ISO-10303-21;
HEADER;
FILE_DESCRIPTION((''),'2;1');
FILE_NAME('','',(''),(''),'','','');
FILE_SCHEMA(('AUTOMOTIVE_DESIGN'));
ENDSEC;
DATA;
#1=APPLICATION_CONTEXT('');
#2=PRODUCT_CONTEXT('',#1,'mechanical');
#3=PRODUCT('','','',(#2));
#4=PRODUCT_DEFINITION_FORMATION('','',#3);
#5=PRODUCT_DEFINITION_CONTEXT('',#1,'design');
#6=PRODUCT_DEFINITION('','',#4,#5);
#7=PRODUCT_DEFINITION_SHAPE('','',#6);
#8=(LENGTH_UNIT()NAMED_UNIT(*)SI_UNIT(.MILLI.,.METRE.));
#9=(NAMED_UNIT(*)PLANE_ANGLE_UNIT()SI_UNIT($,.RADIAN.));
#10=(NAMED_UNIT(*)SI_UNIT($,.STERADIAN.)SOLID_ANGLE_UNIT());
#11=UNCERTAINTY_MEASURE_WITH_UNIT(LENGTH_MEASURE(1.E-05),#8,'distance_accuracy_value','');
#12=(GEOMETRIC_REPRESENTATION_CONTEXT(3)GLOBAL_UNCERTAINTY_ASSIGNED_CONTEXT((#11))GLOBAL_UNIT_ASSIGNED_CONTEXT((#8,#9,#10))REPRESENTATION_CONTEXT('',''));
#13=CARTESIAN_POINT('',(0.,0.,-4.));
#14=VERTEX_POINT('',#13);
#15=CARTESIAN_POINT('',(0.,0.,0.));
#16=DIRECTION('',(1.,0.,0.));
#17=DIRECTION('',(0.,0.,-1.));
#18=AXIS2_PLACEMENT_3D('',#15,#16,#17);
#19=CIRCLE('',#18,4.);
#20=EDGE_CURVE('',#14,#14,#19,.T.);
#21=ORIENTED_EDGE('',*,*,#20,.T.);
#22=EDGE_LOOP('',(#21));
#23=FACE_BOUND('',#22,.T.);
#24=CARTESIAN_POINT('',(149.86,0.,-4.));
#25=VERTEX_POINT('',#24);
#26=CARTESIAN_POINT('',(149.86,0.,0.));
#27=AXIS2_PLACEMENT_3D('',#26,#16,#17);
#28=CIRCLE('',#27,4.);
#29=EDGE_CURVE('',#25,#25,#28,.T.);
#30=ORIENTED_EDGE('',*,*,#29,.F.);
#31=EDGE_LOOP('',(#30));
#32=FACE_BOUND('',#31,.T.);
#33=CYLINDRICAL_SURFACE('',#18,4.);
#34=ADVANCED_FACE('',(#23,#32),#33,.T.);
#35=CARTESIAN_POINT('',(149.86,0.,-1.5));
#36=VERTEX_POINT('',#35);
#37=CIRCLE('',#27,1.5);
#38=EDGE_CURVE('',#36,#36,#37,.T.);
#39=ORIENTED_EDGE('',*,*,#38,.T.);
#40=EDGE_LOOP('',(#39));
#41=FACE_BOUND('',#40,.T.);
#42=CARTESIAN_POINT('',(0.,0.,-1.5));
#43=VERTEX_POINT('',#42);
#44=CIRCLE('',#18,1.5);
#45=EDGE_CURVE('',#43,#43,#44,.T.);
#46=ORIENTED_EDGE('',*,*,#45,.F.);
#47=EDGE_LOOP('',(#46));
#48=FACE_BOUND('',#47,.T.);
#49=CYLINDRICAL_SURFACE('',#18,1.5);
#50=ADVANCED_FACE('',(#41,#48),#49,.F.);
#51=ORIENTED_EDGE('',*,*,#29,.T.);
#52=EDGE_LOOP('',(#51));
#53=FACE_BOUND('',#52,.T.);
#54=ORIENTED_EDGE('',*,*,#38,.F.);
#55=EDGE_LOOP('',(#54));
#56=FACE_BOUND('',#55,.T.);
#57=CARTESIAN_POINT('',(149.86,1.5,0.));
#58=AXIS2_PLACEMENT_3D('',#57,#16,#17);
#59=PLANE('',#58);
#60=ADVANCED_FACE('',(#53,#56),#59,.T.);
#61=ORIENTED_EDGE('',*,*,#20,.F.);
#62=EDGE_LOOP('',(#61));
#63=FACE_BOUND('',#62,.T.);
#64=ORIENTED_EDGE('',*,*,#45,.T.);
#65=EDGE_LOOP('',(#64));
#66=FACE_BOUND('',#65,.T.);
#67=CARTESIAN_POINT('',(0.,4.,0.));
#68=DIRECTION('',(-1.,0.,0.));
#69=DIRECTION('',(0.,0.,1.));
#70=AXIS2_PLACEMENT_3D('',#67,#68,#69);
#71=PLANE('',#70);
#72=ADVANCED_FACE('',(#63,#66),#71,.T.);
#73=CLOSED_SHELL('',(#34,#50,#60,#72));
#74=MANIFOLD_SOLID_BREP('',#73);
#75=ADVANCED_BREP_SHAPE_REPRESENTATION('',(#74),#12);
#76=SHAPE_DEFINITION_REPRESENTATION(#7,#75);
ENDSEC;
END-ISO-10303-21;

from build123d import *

# Parameters (mm, degrees)
SKETCH1_W = 149.86
SKETCH1_H = 2.5


with BuildPart() as part:
    # Sketch1 → Revolve1 (revolve)
    with BuildSketch(Plane.XY):
        with Locations((74.93, 2.75)):
            Rectangle(SKETCH1_W, SKETCH1_H)
    revolve(axis=Axis((0, 0, 0), (1, 0, 0)))


solid = part.part
